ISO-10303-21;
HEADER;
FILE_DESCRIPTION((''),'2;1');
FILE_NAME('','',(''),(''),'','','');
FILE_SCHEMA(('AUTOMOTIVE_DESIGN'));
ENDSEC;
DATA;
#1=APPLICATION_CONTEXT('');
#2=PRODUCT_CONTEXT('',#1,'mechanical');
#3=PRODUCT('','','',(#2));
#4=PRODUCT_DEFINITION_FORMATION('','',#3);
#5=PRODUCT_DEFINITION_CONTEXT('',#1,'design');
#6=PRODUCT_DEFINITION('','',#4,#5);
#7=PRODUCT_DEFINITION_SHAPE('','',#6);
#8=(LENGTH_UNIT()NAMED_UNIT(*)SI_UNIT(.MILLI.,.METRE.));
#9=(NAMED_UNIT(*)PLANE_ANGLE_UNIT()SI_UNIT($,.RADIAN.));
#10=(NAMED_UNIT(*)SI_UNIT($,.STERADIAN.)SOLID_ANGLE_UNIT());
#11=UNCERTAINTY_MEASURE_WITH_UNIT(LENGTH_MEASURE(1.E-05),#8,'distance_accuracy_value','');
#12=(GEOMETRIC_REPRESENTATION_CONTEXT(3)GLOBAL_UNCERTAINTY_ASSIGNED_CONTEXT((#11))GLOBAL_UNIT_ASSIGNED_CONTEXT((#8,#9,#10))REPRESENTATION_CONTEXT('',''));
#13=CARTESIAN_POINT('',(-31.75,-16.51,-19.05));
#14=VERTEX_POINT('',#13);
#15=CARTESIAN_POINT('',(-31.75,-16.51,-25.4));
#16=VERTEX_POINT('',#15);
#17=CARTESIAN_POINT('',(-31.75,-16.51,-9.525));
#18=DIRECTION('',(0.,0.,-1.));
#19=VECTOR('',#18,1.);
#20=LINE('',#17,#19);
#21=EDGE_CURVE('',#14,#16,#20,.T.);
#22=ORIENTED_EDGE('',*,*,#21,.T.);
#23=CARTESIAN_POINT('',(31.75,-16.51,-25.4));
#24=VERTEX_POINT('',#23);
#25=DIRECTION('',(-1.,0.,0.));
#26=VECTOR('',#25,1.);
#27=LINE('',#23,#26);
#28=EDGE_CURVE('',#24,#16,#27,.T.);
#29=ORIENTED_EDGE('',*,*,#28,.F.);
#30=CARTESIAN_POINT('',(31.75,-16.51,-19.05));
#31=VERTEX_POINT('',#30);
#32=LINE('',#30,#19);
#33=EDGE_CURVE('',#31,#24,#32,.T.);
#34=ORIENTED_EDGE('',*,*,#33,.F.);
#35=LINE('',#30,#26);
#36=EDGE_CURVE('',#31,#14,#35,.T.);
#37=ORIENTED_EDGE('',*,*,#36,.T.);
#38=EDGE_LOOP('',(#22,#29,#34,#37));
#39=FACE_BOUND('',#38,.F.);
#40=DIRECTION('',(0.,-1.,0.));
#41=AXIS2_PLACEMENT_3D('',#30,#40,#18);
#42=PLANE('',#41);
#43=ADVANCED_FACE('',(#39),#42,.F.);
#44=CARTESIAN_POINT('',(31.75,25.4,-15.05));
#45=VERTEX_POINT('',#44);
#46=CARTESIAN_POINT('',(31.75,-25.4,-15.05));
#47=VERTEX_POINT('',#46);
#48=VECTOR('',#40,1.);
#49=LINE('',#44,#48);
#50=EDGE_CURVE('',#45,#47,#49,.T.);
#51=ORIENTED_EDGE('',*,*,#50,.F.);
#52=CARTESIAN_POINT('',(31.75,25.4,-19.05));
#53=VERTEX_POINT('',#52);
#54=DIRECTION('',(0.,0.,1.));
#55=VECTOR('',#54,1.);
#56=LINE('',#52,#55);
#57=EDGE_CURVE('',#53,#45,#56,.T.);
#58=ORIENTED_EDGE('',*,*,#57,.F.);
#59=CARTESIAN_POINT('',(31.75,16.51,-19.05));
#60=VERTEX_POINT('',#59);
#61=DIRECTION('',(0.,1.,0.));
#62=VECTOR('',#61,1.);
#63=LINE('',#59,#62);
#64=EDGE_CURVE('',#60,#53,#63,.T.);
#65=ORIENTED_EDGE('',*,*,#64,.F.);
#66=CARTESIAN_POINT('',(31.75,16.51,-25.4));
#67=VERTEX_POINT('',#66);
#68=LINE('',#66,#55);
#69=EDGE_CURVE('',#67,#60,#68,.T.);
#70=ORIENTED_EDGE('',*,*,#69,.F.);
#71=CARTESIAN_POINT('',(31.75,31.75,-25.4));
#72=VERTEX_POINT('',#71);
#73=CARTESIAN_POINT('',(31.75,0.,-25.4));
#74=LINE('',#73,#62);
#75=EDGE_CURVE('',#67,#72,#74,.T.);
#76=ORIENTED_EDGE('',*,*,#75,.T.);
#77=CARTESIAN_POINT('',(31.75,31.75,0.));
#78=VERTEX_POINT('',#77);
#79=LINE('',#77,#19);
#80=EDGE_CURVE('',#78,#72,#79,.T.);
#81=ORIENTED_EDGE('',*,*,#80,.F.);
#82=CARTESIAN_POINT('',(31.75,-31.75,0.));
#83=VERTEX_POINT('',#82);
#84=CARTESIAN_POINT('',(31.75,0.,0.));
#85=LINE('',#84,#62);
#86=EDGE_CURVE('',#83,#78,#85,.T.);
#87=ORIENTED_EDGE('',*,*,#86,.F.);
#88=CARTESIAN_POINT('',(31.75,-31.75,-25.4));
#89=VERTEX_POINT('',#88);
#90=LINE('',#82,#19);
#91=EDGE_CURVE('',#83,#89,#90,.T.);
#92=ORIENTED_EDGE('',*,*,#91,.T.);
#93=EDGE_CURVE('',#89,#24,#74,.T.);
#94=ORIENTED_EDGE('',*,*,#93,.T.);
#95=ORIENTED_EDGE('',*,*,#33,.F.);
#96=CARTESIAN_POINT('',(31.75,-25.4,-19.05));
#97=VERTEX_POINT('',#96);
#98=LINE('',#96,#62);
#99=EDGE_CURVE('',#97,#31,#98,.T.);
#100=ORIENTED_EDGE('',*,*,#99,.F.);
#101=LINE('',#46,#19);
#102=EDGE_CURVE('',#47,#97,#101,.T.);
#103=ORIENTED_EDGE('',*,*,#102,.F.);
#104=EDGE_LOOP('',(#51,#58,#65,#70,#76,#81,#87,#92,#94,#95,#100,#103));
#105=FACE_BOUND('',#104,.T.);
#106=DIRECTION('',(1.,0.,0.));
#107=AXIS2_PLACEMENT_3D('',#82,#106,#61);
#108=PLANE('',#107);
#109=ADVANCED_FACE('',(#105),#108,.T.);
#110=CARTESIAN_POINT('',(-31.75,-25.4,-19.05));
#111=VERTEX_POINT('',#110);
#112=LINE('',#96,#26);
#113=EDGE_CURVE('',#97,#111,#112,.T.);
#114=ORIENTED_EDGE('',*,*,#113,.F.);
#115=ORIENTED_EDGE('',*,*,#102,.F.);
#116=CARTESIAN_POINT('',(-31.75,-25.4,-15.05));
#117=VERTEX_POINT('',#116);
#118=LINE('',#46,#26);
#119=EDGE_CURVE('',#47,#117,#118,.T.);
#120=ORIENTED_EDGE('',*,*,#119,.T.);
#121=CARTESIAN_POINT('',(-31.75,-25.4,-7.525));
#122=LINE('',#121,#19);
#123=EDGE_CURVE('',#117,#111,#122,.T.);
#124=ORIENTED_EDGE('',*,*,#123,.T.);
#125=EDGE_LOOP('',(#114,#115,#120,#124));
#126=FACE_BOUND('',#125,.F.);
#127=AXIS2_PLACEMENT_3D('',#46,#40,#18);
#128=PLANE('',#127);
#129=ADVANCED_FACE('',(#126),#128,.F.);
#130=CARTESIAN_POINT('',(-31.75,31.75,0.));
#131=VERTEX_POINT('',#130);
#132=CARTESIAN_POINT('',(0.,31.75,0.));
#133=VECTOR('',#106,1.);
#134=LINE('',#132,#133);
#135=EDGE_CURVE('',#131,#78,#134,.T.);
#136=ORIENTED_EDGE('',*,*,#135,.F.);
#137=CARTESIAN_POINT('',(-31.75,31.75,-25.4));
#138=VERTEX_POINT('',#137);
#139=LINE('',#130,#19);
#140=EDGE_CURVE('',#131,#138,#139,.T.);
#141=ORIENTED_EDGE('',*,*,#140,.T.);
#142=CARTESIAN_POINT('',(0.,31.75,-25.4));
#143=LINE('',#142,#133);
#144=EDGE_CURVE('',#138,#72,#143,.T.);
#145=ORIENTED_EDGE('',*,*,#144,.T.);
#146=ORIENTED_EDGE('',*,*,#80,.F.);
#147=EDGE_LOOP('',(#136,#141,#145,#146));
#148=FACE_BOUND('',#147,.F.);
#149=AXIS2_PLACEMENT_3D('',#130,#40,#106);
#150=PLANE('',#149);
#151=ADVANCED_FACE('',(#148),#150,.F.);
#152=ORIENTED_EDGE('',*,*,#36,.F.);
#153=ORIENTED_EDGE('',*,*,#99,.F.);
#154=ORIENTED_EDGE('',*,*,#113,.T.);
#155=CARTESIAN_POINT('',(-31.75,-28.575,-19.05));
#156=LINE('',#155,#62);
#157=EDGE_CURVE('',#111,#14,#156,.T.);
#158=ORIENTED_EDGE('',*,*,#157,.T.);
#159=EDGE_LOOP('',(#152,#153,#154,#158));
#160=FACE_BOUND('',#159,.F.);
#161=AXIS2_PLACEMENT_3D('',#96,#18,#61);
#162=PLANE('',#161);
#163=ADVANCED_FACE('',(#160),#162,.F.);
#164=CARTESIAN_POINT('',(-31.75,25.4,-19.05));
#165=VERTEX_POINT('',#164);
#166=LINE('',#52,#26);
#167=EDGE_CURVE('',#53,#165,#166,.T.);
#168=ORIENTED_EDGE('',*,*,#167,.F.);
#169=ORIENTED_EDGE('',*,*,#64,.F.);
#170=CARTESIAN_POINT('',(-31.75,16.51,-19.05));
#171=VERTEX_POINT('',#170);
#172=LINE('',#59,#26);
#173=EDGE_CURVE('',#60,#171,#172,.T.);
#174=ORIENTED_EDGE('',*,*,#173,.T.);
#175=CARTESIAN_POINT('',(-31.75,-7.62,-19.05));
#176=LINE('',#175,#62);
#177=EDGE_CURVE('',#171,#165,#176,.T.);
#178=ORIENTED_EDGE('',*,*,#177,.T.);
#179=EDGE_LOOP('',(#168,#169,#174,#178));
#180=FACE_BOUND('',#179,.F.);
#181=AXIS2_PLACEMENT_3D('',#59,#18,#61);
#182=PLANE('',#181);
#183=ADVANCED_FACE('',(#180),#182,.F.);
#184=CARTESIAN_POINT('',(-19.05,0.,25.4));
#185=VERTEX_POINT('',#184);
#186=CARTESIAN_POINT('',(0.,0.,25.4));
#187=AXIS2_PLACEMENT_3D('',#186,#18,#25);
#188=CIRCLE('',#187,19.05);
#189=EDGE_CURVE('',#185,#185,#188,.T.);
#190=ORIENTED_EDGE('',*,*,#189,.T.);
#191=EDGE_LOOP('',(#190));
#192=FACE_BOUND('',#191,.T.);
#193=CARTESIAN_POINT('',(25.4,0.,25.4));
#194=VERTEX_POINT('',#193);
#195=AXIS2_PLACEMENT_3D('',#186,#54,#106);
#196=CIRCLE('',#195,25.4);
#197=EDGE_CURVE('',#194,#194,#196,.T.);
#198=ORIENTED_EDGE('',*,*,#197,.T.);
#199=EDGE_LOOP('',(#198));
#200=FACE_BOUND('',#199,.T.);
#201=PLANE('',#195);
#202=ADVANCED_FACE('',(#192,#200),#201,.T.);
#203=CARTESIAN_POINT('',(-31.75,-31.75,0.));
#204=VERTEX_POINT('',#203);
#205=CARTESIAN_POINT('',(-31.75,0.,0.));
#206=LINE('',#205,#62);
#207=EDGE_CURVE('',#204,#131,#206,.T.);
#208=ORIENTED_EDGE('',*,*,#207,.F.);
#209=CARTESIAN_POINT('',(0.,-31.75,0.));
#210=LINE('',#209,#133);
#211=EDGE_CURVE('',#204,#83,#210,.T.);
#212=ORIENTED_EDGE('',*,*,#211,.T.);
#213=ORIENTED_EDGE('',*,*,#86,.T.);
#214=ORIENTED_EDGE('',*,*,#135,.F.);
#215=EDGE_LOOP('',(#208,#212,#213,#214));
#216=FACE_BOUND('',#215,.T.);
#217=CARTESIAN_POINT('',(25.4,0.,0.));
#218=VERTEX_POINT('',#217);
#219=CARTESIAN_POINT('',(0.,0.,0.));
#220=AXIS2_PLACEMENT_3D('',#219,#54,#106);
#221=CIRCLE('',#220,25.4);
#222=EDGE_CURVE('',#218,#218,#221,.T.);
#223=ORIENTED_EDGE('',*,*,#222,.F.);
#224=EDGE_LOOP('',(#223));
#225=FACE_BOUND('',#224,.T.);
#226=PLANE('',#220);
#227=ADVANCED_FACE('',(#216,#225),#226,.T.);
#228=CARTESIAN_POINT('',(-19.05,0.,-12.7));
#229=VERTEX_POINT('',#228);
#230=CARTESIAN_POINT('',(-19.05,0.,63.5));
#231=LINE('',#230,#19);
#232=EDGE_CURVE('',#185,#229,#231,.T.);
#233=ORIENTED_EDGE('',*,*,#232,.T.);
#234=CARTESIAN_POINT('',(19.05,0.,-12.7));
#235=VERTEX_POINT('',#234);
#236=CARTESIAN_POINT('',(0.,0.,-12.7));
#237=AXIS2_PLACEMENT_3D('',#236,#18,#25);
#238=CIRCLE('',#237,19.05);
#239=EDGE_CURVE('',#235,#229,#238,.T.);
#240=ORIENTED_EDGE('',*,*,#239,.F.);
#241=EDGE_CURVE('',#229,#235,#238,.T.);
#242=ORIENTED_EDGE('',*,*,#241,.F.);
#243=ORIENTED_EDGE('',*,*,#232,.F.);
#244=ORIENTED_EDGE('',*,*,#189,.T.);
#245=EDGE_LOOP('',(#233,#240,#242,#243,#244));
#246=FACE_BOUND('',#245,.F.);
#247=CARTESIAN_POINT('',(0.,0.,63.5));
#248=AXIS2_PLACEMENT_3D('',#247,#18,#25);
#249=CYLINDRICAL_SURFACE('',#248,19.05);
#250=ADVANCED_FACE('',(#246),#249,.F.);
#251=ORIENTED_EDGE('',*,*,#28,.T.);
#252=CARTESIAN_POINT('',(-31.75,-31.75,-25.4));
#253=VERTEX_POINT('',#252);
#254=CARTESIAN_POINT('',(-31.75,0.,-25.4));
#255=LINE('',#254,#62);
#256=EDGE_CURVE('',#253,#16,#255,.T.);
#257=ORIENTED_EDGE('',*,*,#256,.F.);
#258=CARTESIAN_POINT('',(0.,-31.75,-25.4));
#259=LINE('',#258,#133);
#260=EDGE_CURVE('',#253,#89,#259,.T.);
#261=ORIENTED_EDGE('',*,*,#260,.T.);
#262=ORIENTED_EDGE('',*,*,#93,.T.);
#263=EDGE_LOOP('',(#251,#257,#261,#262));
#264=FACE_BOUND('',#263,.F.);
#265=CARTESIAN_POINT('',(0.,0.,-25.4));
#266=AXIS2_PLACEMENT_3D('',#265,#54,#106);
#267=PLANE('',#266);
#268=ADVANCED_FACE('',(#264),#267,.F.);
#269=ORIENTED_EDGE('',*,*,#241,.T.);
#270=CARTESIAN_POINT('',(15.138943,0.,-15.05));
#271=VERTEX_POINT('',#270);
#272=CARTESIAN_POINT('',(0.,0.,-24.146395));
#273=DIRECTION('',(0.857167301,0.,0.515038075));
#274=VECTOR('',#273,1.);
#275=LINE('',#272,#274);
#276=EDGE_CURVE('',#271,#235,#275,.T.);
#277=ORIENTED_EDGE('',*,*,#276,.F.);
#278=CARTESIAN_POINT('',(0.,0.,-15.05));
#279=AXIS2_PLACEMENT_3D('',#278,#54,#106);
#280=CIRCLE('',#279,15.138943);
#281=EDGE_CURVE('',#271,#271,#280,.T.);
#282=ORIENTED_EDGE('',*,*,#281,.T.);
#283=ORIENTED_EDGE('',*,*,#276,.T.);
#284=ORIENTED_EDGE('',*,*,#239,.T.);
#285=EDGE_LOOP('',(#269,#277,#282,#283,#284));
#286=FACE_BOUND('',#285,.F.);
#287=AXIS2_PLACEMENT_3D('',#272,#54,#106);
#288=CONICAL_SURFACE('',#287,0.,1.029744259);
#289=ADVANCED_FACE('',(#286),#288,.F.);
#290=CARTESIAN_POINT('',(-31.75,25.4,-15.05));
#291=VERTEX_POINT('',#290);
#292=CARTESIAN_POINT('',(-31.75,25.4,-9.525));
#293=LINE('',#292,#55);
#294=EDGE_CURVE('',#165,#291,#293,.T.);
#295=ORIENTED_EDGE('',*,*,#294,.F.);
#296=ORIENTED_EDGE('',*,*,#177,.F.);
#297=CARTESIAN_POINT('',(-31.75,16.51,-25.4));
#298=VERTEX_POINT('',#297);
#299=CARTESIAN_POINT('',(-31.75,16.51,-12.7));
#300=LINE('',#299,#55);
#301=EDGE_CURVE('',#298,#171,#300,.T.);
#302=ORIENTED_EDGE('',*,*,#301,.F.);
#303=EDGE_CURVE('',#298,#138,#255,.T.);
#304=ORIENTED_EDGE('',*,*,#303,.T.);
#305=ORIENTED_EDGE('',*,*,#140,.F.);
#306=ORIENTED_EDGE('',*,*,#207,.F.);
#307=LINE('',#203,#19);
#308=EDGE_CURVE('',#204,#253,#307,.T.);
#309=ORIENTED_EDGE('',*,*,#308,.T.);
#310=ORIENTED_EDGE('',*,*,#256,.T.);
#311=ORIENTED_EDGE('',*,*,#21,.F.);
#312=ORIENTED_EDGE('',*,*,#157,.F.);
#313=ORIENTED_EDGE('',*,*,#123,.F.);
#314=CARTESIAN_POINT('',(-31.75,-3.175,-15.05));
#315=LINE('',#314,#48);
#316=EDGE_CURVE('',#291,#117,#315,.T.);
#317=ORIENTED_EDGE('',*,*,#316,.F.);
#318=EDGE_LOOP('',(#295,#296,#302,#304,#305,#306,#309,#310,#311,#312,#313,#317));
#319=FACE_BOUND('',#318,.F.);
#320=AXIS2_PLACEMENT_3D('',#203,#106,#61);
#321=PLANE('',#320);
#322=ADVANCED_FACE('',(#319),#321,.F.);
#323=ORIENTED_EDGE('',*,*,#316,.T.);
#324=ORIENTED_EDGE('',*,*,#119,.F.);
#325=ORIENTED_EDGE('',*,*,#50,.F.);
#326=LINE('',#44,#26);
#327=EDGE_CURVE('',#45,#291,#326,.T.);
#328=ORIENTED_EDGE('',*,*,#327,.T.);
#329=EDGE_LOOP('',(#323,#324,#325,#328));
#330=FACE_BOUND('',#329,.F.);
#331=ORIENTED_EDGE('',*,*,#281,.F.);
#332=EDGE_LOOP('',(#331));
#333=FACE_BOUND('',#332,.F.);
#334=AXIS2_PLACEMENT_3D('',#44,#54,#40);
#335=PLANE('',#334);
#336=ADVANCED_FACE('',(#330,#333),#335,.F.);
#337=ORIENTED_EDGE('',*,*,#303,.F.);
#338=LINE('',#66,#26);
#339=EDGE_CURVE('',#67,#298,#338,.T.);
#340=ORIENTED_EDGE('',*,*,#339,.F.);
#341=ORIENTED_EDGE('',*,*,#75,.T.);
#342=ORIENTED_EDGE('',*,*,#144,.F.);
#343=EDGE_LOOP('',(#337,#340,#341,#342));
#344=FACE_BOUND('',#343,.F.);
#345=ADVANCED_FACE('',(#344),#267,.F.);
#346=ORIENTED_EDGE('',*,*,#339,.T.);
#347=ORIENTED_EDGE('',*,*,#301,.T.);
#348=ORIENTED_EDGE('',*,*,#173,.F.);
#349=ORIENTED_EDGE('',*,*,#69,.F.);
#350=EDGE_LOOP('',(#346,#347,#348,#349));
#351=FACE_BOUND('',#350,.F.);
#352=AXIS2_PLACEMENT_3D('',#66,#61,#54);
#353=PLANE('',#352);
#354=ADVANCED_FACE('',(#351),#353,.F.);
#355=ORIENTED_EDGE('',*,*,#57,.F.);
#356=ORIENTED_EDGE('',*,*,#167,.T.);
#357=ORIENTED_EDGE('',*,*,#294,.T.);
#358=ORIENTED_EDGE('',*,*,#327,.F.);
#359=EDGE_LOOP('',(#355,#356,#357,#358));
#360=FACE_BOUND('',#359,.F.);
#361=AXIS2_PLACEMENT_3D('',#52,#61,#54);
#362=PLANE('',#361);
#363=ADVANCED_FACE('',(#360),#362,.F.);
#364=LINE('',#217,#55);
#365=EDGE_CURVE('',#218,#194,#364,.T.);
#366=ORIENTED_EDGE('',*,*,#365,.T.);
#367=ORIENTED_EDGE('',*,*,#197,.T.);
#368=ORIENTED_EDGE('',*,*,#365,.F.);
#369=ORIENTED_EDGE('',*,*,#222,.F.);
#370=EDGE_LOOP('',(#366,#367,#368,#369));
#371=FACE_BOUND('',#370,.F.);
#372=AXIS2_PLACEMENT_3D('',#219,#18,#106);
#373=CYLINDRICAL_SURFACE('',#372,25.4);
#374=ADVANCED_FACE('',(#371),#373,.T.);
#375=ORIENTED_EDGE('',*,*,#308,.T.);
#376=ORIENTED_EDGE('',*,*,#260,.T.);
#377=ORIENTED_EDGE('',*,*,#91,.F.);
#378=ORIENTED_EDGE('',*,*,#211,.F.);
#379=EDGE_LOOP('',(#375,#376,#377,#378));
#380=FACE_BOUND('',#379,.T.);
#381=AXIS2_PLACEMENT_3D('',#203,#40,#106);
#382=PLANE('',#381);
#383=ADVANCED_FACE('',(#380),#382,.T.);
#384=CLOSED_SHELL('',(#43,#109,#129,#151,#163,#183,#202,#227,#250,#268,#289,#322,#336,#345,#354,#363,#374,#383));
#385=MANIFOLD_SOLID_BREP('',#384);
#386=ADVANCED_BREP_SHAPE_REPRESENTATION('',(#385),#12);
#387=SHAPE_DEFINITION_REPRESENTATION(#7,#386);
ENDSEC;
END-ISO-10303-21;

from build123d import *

# Parameters (mm, degrees)
F0_R     = 25.4
F1_DEPTH = 25.4
F2_W     = 63.5
F2_H     = 63.5
F3_DEPTH = 25.4
F5_DEPTH = 63.501
F7_D     = 38.1
F7_DEPTH = 38.1
F7_TIP   = 11.4463947925


with BuildPart() as f1:
    # F0 (on Top) → F1 (new body)
    with BuildSketch(Plane.XY):
        Circle(F0_R)
    extrude(amount=F1_DEPTH)

    # F2 (on face) → F3 (join)
    with BuildSketch(Plane.XY):
        Rectangle(F2_W, F2_H)
    extrude(amount=-F3_DEPTH)

    # F4 (on face) → F5 (cut, through all)
    with BuildSketch(Plane.YZ.offset(31.75)):
        Polygon((-25.4, -19.05), (-16.51, -19.05), (-16.51, -25.4), (0, -25.4), (16.51, -25.4), (16.51, -19.05), (25.4, -19.05), (25.4, -15.05), (0, -15.05), (-25.4, -15.05), align=None)
    extrude(amount=-F5_DEPTH, mode=Mode.SUBTRACT)

    # F7
    with Locations(Plane.XY.offset(25.4)):
        with Locations((0, 0)):
            Hole(F7_D / 2, depth=F7_DEPTH)
            with Locations((0, 0, -(F7_DEPTH + F7_TIP / 2))):  # 118° drill point
                Cone(0, F7_D / 2, F7_TIP, mode=Mode.SUBTRACT)


solid = f1.part
